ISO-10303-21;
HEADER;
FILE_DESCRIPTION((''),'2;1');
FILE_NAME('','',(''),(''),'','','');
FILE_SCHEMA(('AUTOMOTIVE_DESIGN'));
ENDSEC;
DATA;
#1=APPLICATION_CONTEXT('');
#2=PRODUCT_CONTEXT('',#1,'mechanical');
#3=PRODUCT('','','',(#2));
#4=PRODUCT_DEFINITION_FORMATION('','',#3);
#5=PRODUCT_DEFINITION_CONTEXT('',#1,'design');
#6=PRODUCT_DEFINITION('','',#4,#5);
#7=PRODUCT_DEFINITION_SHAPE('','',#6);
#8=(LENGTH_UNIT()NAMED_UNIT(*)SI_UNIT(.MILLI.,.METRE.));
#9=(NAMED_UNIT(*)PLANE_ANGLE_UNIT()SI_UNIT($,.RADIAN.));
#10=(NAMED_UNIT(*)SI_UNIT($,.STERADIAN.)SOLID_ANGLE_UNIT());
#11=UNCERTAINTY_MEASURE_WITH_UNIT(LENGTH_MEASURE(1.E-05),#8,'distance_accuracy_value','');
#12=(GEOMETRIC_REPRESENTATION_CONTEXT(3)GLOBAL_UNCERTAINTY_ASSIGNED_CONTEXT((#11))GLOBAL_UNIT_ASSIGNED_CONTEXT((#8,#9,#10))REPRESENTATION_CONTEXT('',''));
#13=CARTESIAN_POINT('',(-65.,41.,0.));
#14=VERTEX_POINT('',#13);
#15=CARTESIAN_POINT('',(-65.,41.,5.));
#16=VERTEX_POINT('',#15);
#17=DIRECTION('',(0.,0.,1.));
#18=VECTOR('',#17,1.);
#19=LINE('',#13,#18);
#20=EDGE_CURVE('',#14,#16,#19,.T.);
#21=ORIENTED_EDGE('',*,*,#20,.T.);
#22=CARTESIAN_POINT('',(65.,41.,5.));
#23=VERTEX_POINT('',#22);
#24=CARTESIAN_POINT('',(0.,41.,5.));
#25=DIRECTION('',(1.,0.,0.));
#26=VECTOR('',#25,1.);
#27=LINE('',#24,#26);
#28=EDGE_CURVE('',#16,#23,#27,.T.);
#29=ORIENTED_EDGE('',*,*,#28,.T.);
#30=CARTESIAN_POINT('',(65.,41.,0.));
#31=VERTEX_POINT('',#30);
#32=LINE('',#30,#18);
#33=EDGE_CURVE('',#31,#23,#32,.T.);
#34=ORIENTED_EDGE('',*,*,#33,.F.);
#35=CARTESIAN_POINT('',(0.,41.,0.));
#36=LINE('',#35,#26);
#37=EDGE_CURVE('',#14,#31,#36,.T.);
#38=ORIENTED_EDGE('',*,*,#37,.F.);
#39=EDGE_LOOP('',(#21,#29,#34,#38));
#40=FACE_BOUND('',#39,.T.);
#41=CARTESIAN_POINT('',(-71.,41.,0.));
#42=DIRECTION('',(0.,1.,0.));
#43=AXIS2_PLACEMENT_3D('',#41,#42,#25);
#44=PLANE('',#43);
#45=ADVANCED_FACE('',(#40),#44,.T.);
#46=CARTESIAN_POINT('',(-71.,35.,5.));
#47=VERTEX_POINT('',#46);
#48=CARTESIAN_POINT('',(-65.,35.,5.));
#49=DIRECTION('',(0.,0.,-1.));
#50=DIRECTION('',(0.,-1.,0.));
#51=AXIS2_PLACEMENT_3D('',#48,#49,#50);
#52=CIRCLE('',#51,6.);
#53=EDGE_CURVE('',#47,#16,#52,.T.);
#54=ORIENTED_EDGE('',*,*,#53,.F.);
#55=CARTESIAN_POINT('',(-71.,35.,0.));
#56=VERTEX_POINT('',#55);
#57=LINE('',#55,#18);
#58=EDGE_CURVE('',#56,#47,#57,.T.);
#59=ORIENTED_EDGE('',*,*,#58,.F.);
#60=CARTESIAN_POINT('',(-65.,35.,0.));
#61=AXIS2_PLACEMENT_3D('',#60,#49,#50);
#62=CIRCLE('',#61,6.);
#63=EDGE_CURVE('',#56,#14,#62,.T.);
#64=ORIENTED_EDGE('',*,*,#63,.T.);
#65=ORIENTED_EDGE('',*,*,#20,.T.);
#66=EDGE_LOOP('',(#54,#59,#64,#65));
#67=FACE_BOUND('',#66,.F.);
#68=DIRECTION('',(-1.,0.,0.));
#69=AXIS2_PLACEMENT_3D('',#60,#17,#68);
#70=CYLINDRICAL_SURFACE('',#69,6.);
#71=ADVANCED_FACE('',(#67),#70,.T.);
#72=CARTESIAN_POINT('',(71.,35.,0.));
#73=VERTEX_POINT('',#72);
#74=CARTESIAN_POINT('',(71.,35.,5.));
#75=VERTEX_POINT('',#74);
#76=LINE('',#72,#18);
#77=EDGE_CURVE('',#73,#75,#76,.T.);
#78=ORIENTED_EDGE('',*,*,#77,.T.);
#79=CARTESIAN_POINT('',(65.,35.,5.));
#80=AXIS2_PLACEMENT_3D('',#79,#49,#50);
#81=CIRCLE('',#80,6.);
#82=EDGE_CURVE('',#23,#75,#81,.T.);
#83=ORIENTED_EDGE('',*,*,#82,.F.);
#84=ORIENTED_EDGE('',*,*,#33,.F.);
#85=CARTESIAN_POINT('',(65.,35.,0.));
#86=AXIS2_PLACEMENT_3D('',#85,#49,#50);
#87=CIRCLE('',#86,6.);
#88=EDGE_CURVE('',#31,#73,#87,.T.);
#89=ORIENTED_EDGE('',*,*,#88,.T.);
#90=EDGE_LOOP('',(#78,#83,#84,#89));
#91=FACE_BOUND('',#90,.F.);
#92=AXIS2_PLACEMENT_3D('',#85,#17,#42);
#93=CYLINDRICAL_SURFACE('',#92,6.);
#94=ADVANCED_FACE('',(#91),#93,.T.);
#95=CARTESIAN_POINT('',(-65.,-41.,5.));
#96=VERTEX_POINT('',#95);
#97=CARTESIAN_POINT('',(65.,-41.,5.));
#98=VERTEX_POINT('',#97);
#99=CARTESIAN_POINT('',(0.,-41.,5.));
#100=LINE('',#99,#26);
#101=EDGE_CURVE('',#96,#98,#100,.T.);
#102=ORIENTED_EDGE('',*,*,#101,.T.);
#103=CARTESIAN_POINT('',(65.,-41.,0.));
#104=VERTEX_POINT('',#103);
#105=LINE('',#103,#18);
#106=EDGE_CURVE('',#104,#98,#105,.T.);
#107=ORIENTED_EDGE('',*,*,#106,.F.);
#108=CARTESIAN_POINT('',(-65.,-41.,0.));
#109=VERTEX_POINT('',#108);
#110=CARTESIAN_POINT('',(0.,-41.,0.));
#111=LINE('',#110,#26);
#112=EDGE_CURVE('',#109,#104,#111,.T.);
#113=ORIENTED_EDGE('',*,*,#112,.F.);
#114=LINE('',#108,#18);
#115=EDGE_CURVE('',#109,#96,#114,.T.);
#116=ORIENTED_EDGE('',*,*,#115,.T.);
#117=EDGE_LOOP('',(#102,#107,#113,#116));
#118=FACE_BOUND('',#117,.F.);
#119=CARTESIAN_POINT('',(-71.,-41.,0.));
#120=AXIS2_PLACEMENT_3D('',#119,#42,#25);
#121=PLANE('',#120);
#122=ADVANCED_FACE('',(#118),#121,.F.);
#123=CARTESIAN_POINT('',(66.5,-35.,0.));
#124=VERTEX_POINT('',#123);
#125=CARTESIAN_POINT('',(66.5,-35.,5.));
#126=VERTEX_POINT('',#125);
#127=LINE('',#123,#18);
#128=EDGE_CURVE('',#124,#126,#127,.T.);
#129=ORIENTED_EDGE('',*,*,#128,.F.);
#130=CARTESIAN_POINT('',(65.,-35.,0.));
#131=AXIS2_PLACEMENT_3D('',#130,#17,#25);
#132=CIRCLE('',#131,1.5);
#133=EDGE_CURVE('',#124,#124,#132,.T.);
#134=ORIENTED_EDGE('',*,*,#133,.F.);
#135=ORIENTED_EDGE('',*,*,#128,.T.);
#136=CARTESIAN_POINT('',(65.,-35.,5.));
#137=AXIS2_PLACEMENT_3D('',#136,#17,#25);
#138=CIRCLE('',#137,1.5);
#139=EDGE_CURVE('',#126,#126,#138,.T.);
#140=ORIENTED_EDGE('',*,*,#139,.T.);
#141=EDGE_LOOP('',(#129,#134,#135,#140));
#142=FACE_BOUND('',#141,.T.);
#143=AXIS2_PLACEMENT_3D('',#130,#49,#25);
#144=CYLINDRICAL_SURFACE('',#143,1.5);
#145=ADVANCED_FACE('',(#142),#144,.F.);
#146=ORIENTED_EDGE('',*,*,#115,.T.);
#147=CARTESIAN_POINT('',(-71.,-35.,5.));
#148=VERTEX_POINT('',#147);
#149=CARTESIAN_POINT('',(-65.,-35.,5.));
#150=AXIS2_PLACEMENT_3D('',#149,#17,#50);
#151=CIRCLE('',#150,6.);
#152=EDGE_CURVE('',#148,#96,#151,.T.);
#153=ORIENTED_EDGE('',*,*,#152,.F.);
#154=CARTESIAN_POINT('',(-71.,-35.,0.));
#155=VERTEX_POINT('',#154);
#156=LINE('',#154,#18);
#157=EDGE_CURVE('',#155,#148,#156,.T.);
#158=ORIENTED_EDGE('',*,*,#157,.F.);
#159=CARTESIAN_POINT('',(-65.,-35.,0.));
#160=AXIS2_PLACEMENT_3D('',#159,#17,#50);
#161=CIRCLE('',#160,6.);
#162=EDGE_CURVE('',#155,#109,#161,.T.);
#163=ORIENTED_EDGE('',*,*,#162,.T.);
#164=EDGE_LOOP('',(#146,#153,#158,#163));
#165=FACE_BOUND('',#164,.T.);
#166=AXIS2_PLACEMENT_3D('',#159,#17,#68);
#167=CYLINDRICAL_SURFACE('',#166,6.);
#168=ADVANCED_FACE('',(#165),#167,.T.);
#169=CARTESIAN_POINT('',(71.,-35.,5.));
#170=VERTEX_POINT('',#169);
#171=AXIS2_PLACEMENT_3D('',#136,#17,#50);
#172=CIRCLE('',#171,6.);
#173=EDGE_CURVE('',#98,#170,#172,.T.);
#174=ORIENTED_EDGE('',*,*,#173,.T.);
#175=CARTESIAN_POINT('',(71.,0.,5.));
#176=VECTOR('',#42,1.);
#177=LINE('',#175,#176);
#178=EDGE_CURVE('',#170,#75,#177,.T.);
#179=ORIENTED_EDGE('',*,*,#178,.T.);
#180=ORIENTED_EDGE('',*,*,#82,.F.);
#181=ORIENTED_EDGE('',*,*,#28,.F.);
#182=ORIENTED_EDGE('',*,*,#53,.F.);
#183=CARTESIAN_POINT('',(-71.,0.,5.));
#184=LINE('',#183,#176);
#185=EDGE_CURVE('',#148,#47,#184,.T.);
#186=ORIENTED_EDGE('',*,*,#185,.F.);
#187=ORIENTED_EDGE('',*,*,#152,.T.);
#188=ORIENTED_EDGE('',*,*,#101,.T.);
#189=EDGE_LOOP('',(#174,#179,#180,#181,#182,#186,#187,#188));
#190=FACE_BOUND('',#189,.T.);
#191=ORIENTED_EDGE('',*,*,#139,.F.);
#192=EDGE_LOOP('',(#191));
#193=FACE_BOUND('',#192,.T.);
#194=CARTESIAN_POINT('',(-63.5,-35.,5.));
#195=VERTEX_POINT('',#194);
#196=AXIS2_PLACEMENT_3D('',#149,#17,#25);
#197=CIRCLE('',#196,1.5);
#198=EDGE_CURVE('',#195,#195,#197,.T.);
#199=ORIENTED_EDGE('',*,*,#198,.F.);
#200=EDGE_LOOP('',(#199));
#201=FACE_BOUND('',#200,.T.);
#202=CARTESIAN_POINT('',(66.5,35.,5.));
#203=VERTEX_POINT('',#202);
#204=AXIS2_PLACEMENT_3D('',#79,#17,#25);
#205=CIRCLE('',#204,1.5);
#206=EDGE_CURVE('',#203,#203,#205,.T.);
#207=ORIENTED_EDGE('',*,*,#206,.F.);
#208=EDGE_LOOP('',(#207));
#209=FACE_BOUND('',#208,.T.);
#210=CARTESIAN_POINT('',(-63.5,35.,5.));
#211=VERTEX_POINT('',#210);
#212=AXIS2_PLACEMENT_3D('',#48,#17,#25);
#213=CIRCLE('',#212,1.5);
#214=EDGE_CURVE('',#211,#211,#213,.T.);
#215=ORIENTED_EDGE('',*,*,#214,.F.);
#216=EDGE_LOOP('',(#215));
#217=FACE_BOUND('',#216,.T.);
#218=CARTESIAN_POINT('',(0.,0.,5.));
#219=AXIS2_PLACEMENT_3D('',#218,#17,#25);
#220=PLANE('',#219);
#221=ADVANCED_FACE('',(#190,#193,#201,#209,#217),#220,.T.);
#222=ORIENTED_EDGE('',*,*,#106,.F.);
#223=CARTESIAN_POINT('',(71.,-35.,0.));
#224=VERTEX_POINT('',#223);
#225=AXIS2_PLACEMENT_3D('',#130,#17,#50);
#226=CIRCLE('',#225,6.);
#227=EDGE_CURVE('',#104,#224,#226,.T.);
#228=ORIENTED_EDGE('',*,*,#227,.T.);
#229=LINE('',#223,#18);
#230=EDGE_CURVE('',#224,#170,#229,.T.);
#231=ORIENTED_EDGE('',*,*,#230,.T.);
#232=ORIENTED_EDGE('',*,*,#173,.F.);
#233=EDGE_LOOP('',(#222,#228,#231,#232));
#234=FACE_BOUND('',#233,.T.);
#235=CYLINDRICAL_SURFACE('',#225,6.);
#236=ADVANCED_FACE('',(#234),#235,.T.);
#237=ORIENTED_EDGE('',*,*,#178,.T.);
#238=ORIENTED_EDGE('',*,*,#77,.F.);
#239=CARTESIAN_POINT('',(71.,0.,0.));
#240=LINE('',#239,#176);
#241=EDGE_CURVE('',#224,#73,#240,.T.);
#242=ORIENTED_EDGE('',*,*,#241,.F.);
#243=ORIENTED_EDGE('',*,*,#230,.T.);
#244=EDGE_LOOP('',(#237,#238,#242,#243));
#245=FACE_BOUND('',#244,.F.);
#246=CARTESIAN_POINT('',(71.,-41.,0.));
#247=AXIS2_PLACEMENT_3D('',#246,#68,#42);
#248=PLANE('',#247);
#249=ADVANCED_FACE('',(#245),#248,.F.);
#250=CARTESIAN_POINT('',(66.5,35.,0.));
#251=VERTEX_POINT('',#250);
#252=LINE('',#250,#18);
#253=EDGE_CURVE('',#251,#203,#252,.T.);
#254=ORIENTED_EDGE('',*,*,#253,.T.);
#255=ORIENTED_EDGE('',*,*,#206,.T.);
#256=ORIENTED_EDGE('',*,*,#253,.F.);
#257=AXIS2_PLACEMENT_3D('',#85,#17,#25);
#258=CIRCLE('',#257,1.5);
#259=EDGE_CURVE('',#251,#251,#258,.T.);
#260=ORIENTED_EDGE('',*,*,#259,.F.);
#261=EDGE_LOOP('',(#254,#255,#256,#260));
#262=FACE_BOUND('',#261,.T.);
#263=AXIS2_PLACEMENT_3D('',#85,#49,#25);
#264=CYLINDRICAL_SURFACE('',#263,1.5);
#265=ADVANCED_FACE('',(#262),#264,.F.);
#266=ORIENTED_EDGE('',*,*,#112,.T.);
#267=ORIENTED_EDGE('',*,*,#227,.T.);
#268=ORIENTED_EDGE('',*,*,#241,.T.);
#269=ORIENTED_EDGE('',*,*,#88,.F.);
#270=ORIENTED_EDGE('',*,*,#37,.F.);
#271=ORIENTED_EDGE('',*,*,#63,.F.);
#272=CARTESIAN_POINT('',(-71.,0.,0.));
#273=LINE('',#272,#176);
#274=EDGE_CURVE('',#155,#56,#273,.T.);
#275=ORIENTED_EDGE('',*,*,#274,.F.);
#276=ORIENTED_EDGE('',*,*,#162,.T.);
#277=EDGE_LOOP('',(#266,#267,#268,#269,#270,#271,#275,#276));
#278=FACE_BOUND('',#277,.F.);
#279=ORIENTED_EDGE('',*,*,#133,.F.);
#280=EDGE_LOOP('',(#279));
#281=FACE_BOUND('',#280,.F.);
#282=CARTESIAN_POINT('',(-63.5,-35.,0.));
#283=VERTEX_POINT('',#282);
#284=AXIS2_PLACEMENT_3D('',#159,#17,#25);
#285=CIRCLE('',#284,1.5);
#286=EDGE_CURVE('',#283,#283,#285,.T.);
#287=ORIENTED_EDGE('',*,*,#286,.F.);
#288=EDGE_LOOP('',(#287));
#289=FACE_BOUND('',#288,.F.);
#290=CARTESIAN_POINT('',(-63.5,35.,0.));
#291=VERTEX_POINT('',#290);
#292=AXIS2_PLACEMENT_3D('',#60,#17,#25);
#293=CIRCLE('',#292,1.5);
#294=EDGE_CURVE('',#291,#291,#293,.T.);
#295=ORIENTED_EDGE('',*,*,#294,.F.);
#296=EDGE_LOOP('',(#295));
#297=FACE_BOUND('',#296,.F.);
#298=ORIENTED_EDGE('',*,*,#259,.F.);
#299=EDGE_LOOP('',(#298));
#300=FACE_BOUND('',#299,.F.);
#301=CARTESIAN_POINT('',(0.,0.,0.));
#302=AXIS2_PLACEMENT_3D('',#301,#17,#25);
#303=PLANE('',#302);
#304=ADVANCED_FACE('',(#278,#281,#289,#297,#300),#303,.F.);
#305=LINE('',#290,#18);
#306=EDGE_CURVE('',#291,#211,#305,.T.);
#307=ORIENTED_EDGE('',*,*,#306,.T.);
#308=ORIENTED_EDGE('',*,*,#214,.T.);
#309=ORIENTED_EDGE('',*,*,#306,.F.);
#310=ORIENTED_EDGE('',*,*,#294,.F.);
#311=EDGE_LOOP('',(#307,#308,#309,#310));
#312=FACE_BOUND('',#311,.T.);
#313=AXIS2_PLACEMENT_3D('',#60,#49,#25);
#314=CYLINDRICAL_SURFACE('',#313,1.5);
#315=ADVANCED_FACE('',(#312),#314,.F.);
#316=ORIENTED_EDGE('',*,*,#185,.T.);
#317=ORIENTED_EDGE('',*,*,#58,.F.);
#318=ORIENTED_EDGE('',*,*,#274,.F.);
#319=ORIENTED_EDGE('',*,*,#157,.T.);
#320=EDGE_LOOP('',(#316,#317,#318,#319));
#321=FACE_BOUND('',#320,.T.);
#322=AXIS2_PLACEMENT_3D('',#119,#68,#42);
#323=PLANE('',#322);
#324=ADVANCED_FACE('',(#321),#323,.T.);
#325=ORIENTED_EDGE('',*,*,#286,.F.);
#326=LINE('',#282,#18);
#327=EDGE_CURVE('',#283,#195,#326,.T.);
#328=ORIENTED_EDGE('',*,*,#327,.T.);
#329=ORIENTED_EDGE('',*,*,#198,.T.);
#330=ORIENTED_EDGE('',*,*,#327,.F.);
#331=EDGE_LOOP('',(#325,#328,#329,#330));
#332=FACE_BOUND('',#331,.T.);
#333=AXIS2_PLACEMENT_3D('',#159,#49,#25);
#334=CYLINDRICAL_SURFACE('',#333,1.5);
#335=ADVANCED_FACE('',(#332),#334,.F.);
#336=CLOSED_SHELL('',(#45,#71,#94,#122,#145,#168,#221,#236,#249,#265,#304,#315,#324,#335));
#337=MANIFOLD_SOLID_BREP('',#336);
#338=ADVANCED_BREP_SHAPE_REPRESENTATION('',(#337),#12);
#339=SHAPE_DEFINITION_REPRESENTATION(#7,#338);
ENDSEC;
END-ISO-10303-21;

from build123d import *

# Parameters (mm, degrees)
F0_W     = 142
F0_H     = 82
F0_R     = 1.5
F1_DEPTH = 5
F2_R     = 6


with BuildPart() as f1:
    # F0 (on Top) → F1 (new body)
    with BuildSketch(Plane.XY):
        Rectangle(F0_W, F0_H)
        with Locations((-65, -35)):
            Circle(F0_R, mode=Mode.SUBTRACT)
        with Locations((65, -35)):
            Circle(F0_R, mode=Mode.SUBTRACT)
        with Locations((-65, 35)):
            Circle(F0_R, mode=Mode.SUBTRACT)
        with Locations((65, 35)):
            Circle(F0_R, mode=Mode.SUBTRACT)
    extrude(amount=F1_DEPTH)

    # F2
    f2_edges = [f1.edges().sort_by_distance(p)[0] for p in [
        (-71, -41, 2.5),
        (-71, 41, 2.5),
        (71, 41, 2.5),
        (71, -41, 2.5),
    ]]
    fillet(f2_edges, radius=F2_R)


solid = f1.part
